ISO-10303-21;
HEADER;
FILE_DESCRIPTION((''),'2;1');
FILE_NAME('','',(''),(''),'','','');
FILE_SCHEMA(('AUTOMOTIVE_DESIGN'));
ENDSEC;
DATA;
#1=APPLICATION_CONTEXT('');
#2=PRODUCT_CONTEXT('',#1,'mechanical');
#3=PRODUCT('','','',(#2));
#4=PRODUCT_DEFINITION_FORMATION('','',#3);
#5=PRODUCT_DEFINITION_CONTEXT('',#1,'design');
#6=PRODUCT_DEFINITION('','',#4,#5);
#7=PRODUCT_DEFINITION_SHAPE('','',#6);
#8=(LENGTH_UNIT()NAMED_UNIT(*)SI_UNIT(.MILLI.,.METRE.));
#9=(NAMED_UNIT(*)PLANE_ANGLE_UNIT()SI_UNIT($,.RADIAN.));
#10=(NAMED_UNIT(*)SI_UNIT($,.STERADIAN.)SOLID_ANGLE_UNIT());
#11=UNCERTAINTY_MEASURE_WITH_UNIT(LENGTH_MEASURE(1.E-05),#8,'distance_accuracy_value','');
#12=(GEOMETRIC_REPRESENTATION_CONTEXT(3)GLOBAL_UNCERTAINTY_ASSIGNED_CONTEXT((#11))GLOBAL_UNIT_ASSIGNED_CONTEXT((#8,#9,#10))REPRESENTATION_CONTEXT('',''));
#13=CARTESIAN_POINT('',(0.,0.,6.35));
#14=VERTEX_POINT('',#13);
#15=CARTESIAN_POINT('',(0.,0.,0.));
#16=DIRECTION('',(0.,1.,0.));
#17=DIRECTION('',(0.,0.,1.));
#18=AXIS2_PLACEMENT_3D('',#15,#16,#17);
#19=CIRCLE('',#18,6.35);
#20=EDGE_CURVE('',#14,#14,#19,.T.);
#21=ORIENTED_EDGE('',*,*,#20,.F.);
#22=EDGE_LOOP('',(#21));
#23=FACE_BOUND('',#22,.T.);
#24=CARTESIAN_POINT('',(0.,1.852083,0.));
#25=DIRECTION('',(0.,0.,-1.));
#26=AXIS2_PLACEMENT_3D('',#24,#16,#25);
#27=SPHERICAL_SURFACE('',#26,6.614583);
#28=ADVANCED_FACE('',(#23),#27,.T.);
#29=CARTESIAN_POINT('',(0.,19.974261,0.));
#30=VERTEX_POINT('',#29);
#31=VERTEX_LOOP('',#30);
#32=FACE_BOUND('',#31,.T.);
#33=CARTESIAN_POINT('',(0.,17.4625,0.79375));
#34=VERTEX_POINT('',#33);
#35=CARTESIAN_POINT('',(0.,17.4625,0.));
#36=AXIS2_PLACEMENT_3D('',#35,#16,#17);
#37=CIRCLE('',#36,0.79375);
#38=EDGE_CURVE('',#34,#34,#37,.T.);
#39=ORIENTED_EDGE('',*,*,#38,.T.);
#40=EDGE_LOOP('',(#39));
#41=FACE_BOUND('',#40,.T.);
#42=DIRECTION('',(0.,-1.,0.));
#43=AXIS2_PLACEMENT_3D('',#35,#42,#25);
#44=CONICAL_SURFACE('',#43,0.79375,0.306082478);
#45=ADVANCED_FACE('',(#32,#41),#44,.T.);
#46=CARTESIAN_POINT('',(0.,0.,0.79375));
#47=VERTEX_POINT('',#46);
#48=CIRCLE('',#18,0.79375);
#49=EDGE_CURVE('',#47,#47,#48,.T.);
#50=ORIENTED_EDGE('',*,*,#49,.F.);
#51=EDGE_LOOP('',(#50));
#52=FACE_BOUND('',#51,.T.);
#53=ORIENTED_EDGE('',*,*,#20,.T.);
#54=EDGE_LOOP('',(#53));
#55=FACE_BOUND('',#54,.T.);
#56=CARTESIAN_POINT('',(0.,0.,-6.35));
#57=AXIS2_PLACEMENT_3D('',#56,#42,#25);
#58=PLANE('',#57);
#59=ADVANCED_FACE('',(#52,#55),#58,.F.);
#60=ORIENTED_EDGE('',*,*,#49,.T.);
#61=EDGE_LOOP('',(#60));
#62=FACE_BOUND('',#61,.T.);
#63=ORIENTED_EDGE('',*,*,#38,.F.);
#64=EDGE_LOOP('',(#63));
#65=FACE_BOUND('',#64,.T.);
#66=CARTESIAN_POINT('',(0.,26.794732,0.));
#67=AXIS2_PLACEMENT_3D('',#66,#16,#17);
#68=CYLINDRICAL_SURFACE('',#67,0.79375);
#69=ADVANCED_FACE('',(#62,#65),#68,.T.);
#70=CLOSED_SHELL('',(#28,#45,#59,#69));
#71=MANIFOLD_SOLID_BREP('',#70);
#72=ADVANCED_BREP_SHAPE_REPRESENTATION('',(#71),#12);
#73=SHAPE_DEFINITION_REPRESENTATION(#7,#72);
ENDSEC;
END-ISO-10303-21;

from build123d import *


with BuildPart() as part:
    # Sketch1 → Revolve1 (revolve)
    with BuildSketch(Plane(origin=(0, 0, 0), x_dir=(0, 0, -1), z_dir=(1, 0, 0))):
        with BuildLine():
            Line((0, 19.974260589), (0, -4.7625))
            ThreePointArc((0, -4.7625), (3.96875, -3.439583333), (6.35, 0))
            Line((6.35, 0), (0.79375, 0))
            Line((0.79375, 0), (0.79375, 17.4625))
            Line((0.79375, 17.4625), (0, 19.974260589))
        make_face()
    revolve(axis=Axis((0, 26.794732143, 0), (0, -1, 0)))


solid = part.part
